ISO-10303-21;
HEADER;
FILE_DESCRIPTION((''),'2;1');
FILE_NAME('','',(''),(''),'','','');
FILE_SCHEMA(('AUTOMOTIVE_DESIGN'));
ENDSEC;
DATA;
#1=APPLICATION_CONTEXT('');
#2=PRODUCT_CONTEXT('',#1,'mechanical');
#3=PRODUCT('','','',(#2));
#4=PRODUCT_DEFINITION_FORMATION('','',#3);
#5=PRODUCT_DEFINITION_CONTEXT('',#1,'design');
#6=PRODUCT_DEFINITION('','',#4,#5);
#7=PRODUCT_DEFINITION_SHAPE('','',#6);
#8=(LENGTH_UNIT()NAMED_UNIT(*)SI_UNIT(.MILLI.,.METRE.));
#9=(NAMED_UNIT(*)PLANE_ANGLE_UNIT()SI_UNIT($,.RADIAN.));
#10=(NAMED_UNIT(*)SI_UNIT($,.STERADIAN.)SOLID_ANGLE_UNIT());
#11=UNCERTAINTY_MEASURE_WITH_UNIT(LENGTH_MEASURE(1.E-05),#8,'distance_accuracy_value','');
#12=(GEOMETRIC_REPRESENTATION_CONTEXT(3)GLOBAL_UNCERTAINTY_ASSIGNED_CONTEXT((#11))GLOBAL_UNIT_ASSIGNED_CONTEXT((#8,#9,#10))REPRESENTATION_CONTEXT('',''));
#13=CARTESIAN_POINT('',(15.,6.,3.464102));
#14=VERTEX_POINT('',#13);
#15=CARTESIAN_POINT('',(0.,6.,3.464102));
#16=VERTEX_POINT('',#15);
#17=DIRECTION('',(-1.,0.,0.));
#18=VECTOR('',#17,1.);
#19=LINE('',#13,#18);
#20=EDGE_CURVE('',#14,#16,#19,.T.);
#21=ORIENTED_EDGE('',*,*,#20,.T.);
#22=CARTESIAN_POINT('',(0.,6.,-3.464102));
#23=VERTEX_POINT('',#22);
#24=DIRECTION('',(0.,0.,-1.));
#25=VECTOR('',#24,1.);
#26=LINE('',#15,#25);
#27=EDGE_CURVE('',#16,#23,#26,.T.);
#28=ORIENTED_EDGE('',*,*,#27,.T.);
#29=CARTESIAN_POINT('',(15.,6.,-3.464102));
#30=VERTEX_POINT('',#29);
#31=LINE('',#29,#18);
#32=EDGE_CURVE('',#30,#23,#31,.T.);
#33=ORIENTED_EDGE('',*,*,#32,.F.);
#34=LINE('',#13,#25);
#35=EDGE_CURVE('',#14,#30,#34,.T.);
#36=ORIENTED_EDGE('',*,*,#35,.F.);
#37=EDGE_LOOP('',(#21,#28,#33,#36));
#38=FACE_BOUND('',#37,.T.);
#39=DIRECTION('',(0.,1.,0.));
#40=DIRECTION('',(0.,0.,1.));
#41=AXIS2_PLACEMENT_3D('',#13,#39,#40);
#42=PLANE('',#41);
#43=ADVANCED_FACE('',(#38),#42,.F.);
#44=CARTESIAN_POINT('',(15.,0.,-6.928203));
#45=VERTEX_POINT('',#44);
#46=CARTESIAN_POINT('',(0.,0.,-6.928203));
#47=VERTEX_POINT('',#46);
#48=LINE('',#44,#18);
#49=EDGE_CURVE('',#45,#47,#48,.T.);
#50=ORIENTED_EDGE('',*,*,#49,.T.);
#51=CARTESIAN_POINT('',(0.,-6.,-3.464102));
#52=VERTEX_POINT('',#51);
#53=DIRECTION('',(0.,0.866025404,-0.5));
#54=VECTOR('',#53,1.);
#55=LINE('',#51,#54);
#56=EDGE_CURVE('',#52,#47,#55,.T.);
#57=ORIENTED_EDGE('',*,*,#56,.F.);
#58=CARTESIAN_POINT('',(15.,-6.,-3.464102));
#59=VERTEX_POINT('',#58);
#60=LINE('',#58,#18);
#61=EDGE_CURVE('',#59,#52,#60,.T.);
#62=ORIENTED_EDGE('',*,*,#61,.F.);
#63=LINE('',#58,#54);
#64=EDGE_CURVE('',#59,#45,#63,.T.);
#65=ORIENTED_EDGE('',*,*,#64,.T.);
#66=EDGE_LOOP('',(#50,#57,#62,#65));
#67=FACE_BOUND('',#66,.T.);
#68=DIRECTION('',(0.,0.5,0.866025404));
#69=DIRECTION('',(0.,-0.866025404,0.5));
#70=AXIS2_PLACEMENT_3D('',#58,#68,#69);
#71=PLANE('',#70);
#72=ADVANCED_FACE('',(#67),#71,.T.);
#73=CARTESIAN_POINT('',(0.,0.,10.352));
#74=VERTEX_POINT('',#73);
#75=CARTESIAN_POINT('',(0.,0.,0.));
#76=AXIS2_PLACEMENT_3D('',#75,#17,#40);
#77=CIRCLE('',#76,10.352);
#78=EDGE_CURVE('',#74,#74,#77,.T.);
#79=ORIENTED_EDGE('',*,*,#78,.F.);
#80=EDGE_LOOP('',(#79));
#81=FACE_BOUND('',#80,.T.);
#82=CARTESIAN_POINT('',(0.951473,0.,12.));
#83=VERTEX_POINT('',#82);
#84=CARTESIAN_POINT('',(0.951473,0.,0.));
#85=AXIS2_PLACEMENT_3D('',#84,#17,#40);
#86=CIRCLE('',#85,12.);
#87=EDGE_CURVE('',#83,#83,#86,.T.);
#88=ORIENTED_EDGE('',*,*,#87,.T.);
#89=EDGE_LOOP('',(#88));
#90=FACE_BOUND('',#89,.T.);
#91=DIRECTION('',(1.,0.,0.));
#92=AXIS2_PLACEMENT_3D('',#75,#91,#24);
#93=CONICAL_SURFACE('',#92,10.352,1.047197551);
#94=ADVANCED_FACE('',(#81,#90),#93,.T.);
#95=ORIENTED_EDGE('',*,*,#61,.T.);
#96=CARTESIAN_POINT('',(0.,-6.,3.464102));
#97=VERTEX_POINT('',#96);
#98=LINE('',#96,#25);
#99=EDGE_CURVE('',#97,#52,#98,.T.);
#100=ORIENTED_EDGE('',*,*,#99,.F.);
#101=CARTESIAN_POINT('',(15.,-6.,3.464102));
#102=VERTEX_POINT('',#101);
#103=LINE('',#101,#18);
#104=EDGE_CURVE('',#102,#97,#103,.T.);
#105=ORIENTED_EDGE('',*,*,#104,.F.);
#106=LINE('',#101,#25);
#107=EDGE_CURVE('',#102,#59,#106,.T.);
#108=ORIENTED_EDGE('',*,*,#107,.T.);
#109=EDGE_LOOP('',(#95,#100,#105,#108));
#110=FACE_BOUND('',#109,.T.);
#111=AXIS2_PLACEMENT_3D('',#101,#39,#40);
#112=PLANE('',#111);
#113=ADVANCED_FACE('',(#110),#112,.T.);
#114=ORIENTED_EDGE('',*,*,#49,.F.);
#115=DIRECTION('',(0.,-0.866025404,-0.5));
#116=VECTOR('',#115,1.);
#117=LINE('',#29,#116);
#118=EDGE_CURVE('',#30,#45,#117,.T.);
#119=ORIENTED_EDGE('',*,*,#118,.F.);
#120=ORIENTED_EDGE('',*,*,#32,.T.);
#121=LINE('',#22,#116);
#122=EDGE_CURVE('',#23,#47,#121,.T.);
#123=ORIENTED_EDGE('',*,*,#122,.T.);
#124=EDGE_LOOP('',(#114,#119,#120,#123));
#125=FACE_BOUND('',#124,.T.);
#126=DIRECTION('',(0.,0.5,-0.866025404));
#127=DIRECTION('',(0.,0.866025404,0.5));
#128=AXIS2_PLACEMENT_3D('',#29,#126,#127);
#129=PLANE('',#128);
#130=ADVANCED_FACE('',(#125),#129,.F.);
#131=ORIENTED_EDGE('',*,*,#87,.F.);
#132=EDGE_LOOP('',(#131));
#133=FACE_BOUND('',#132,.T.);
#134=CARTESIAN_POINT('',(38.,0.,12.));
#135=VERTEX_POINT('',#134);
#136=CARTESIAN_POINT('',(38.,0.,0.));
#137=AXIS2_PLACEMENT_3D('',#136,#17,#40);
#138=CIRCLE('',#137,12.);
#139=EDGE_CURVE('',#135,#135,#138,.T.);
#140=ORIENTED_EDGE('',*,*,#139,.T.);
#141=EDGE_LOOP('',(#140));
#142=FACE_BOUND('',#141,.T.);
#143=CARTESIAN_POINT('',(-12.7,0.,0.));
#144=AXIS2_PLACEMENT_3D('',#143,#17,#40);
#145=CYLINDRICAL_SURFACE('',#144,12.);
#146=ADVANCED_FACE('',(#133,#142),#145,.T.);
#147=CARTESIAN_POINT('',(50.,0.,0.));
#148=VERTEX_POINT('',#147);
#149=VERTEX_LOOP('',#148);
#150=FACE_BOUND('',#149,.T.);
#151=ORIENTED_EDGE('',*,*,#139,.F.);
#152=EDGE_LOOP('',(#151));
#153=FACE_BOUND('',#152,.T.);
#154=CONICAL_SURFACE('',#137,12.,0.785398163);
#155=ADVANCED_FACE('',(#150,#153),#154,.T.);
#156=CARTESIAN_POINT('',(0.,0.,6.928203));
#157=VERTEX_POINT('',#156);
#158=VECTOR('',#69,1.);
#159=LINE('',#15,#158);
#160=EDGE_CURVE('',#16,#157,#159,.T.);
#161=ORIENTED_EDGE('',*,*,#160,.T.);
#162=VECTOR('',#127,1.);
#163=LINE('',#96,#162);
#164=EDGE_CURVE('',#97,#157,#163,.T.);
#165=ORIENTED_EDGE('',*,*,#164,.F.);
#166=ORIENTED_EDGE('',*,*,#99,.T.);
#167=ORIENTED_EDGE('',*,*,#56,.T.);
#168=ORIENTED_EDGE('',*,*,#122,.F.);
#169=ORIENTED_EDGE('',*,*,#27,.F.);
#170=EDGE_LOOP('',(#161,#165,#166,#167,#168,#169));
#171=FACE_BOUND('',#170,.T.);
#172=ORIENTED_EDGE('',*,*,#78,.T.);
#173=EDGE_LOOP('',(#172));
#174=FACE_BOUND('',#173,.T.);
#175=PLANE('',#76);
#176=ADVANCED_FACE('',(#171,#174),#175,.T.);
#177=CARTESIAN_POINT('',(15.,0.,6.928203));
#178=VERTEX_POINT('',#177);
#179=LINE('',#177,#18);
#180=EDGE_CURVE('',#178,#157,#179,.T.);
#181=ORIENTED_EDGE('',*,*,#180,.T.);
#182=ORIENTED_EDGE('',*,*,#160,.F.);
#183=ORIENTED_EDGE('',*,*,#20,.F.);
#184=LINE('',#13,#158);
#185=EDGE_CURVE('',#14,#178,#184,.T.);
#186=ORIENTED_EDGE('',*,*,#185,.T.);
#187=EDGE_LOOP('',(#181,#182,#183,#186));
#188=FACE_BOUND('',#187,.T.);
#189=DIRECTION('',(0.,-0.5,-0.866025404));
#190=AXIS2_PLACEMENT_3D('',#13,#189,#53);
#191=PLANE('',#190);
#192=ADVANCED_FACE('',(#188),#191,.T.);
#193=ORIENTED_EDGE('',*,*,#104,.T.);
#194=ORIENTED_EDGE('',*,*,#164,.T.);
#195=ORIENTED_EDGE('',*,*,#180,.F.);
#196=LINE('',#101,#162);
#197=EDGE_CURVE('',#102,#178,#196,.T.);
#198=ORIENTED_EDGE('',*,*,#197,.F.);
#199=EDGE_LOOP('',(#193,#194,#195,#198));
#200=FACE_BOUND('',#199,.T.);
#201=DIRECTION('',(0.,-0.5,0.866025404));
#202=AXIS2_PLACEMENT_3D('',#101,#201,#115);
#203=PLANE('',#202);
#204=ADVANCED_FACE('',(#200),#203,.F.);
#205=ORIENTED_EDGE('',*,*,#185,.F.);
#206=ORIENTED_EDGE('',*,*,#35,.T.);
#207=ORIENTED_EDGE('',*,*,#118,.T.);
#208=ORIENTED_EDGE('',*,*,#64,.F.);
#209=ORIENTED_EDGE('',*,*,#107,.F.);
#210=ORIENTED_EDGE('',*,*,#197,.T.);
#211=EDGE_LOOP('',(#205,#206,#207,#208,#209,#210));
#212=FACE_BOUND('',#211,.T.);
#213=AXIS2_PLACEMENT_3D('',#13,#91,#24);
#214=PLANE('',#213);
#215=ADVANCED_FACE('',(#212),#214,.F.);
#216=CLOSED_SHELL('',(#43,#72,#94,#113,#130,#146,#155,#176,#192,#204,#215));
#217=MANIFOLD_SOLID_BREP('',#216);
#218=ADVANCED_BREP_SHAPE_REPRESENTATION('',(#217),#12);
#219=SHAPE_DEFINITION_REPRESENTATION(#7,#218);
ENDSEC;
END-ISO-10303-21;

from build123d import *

# Parameters (mm, degrees)
HEX_2_DEPTH = 15


with BuildPart() as part:
    # BodySke → BaseBody (revolve)
    with BuildSketch(Plane.XY, mode=Mode.PRIVATE) as basebody_sk:
        Polygon((0, 0), (0, 10.352), (0.951473244, 12), (38, 12), (50, 0), align=None)
    revolve(basebody_sk.sketch.rotate(Axis((-12.7, 0, 0), (1, 0, 0)), 90), axis=Axis((-12.7, 0, 0), (1, 0, 0)))

    # Sketch2 → Hex 2 (cut)
    with BuildSketch(Plane.ZY):
        Polygon((3.464101615, 6), (-3.464101615, 6), (-6.92820323, 0), (-3.464101615, -6), (3.464101615, -6), (6.92820323, 0), align=None)
    extrude(amount=-HEX_2_DEPTH, mode=Mode.SUBTRACT)


solid = part.part
